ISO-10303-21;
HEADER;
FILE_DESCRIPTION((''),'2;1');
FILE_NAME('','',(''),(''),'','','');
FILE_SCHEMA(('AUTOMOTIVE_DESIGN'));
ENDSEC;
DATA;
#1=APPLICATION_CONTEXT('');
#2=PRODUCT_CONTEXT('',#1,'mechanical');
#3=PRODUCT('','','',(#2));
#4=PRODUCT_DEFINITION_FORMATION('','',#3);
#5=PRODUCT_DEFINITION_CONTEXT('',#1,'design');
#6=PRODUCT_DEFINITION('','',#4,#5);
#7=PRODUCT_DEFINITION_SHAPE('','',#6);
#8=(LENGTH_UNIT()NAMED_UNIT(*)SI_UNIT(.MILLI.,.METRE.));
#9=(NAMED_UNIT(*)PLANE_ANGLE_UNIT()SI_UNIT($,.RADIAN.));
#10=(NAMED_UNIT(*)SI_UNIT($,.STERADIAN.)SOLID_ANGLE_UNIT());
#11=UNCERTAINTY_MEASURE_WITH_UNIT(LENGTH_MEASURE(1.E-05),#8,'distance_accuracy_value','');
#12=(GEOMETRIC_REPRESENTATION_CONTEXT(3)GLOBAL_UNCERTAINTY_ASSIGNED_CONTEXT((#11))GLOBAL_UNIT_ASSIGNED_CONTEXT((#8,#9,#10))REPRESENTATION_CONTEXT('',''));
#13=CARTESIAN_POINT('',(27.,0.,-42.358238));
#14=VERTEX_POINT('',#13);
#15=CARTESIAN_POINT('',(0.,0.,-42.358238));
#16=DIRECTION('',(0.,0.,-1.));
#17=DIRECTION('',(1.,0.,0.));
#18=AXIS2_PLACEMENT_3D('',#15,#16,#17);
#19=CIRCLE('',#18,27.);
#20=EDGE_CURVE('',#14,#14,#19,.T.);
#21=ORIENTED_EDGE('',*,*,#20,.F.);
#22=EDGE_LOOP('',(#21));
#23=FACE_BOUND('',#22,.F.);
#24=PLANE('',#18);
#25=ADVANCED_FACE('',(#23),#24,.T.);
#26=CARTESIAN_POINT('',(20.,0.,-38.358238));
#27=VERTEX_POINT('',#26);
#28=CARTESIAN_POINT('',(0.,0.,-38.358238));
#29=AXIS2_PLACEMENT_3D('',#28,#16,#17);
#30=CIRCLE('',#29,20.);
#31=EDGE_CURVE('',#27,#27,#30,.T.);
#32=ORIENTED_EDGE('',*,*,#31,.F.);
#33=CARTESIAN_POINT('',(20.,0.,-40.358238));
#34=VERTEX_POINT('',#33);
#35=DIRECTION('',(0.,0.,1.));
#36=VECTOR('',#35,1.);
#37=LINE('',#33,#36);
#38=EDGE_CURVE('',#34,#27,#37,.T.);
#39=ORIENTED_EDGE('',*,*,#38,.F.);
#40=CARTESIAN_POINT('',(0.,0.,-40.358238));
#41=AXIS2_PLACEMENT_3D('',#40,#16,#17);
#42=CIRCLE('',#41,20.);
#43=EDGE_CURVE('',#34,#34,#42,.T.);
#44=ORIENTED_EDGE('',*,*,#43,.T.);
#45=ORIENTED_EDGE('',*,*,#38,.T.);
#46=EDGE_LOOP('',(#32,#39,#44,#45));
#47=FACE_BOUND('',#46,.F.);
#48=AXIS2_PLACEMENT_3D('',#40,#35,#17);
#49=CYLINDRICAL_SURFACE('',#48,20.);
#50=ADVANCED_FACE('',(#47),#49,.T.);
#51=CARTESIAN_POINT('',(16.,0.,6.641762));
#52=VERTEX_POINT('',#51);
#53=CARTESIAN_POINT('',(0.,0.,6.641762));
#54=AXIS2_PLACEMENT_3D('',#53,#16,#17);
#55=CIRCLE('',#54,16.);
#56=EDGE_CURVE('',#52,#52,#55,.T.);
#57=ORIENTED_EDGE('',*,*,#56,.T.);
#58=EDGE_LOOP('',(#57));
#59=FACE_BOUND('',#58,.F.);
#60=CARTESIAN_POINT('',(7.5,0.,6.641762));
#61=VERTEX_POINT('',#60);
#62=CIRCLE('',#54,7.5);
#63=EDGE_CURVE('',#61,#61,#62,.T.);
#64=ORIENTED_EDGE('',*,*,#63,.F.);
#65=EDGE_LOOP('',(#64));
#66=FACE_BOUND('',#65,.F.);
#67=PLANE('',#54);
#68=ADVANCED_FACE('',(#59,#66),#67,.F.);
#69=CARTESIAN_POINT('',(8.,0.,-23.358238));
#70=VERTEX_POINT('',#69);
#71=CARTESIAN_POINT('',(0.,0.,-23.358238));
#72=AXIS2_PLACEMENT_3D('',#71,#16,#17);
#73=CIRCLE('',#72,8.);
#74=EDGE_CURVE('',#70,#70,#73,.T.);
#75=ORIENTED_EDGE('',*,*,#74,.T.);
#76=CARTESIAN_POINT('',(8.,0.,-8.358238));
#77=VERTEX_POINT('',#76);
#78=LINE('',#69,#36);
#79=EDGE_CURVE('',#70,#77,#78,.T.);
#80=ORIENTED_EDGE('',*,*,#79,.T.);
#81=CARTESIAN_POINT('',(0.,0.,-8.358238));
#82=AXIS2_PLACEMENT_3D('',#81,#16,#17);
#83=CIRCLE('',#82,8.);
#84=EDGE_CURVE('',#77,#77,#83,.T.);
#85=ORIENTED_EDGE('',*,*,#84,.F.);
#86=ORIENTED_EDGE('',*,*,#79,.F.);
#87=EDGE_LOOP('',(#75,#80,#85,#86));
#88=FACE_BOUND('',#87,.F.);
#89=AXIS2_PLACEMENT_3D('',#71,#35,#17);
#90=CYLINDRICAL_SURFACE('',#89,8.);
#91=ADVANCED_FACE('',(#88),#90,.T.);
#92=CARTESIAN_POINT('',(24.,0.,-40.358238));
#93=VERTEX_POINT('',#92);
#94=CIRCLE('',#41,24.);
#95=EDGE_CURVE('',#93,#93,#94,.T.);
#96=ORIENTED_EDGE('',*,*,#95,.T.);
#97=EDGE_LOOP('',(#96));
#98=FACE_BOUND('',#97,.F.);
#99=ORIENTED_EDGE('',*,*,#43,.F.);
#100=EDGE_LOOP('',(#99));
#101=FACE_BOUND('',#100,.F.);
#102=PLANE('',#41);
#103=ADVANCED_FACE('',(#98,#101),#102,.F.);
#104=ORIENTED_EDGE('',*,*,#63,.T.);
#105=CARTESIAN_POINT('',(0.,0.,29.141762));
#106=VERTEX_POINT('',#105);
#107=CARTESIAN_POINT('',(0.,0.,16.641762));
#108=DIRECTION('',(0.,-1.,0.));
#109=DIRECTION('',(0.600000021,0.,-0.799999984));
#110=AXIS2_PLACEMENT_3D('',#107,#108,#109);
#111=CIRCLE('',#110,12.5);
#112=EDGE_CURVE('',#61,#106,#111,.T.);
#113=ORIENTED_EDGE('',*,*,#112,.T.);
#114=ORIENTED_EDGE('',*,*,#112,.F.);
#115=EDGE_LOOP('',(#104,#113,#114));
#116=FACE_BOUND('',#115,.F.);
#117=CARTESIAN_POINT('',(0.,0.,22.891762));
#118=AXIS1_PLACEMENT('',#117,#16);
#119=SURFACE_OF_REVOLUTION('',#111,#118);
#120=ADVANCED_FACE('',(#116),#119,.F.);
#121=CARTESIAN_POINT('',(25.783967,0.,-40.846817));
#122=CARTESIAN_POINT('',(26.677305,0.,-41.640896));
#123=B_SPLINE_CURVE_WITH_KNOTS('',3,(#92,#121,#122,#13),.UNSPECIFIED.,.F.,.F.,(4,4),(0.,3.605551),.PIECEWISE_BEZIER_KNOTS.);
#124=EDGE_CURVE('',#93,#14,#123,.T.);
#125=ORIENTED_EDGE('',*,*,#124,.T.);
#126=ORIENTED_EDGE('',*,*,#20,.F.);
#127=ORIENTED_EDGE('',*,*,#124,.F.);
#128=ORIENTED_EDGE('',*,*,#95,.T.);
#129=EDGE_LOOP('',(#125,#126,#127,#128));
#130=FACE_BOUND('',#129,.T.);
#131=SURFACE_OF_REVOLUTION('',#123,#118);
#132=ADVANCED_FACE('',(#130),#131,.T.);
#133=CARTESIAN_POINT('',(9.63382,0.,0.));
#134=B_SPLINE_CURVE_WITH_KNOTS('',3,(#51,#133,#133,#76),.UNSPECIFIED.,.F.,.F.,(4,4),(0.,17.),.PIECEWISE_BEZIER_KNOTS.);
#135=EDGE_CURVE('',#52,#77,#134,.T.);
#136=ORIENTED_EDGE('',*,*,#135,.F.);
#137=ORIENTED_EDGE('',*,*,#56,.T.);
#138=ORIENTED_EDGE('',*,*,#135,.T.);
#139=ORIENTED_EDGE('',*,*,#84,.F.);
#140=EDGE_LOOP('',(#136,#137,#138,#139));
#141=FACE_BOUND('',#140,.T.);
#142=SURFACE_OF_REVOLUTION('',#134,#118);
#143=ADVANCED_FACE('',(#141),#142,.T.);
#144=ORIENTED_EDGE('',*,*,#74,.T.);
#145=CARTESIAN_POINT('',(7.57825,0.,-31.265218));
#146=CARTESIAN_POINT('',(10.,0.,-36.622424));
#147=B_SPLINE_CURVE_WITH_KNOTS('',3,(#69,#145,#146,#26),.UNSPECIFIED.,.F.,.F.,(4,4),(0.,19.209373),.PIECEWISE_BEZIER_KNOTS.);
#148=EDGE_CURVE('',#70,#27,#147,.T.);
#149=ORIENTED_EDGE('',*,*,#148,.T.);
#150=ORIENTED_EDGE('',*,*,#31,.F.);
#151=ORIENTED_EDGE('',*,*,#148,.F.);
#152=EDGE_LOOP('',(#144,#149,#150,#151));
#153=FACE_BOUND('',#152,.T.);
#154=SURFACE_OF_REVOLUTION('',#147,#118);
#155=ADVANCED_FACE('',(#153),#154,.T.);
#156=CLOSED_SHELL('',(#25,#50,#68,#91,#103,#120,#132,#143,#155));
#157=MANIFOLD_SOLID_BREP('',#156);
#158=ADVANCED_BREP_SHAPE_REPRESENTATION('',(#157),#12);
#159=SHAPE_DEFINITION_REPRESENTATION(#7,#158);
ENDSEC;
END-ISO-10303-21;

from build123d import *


with BuildPart() as f1:
    # F0 (on Front) → F1 (revolve)
    with BuildSketch(Plane.XZ):
        with BuildLine():
            Line((16, 6.641762), (7.5, 6.641762))
            ThreePointArc((7.5, 6.641762), (11.858541, 20.594609), (0, 29.141762))
            Line((0, 29.141762), (0, 16.641762))
            Line((0, 16.641762), (0, 6.641762))
            Line((0, 6.641762), (0, -8.358238))
            Line((0, -8.358238), (0, -23.358238))
            Line((0, -23.358238), (0, -38.358238))
            Line((0, -38.358238), (0, -40.358238))
            Line((0, -40.358238), (0, -42.358238))
            Line((0, -42.358238), (27, -42.358238))
            add(Edge.make_bspline(
                [(24, -40.358238), (25.783967, -40.846817), (26.677305, -41.640896), (27, -42.358238)],
                knots=[0, 0, 0, 0, 3.605551, 3.605551, 3.605551, 3.605551], degree=3))
            Line((24, -40.358238), (20, -40.358238))
            Line((20, -40.358238), (20, -38.358238))
            add(Edge.make_bspline(
                [(8, -23.358238), (7.57825, -31.265218), (10, -36.622424), (20, -38.358238)],
                knots=[0, 0, 0, 0, 19.209373, 19.209373, 19.209373, 19.209373], degree=3))
            Line((8, -23.358238), (8, -8.358238))
            add(Edge.make_bspline(
                [(16, 6.641762), (9.63382, 0), (9.63382, 0), (8, -8.358238)],
                knots=[0, 0, 0, 0, 17, 17, 17, 17], degree=3))
        make_face()
    revolve(axis=Axis((0, 0, 22.891762), (0, 0, -1)))


solid = f1.part
